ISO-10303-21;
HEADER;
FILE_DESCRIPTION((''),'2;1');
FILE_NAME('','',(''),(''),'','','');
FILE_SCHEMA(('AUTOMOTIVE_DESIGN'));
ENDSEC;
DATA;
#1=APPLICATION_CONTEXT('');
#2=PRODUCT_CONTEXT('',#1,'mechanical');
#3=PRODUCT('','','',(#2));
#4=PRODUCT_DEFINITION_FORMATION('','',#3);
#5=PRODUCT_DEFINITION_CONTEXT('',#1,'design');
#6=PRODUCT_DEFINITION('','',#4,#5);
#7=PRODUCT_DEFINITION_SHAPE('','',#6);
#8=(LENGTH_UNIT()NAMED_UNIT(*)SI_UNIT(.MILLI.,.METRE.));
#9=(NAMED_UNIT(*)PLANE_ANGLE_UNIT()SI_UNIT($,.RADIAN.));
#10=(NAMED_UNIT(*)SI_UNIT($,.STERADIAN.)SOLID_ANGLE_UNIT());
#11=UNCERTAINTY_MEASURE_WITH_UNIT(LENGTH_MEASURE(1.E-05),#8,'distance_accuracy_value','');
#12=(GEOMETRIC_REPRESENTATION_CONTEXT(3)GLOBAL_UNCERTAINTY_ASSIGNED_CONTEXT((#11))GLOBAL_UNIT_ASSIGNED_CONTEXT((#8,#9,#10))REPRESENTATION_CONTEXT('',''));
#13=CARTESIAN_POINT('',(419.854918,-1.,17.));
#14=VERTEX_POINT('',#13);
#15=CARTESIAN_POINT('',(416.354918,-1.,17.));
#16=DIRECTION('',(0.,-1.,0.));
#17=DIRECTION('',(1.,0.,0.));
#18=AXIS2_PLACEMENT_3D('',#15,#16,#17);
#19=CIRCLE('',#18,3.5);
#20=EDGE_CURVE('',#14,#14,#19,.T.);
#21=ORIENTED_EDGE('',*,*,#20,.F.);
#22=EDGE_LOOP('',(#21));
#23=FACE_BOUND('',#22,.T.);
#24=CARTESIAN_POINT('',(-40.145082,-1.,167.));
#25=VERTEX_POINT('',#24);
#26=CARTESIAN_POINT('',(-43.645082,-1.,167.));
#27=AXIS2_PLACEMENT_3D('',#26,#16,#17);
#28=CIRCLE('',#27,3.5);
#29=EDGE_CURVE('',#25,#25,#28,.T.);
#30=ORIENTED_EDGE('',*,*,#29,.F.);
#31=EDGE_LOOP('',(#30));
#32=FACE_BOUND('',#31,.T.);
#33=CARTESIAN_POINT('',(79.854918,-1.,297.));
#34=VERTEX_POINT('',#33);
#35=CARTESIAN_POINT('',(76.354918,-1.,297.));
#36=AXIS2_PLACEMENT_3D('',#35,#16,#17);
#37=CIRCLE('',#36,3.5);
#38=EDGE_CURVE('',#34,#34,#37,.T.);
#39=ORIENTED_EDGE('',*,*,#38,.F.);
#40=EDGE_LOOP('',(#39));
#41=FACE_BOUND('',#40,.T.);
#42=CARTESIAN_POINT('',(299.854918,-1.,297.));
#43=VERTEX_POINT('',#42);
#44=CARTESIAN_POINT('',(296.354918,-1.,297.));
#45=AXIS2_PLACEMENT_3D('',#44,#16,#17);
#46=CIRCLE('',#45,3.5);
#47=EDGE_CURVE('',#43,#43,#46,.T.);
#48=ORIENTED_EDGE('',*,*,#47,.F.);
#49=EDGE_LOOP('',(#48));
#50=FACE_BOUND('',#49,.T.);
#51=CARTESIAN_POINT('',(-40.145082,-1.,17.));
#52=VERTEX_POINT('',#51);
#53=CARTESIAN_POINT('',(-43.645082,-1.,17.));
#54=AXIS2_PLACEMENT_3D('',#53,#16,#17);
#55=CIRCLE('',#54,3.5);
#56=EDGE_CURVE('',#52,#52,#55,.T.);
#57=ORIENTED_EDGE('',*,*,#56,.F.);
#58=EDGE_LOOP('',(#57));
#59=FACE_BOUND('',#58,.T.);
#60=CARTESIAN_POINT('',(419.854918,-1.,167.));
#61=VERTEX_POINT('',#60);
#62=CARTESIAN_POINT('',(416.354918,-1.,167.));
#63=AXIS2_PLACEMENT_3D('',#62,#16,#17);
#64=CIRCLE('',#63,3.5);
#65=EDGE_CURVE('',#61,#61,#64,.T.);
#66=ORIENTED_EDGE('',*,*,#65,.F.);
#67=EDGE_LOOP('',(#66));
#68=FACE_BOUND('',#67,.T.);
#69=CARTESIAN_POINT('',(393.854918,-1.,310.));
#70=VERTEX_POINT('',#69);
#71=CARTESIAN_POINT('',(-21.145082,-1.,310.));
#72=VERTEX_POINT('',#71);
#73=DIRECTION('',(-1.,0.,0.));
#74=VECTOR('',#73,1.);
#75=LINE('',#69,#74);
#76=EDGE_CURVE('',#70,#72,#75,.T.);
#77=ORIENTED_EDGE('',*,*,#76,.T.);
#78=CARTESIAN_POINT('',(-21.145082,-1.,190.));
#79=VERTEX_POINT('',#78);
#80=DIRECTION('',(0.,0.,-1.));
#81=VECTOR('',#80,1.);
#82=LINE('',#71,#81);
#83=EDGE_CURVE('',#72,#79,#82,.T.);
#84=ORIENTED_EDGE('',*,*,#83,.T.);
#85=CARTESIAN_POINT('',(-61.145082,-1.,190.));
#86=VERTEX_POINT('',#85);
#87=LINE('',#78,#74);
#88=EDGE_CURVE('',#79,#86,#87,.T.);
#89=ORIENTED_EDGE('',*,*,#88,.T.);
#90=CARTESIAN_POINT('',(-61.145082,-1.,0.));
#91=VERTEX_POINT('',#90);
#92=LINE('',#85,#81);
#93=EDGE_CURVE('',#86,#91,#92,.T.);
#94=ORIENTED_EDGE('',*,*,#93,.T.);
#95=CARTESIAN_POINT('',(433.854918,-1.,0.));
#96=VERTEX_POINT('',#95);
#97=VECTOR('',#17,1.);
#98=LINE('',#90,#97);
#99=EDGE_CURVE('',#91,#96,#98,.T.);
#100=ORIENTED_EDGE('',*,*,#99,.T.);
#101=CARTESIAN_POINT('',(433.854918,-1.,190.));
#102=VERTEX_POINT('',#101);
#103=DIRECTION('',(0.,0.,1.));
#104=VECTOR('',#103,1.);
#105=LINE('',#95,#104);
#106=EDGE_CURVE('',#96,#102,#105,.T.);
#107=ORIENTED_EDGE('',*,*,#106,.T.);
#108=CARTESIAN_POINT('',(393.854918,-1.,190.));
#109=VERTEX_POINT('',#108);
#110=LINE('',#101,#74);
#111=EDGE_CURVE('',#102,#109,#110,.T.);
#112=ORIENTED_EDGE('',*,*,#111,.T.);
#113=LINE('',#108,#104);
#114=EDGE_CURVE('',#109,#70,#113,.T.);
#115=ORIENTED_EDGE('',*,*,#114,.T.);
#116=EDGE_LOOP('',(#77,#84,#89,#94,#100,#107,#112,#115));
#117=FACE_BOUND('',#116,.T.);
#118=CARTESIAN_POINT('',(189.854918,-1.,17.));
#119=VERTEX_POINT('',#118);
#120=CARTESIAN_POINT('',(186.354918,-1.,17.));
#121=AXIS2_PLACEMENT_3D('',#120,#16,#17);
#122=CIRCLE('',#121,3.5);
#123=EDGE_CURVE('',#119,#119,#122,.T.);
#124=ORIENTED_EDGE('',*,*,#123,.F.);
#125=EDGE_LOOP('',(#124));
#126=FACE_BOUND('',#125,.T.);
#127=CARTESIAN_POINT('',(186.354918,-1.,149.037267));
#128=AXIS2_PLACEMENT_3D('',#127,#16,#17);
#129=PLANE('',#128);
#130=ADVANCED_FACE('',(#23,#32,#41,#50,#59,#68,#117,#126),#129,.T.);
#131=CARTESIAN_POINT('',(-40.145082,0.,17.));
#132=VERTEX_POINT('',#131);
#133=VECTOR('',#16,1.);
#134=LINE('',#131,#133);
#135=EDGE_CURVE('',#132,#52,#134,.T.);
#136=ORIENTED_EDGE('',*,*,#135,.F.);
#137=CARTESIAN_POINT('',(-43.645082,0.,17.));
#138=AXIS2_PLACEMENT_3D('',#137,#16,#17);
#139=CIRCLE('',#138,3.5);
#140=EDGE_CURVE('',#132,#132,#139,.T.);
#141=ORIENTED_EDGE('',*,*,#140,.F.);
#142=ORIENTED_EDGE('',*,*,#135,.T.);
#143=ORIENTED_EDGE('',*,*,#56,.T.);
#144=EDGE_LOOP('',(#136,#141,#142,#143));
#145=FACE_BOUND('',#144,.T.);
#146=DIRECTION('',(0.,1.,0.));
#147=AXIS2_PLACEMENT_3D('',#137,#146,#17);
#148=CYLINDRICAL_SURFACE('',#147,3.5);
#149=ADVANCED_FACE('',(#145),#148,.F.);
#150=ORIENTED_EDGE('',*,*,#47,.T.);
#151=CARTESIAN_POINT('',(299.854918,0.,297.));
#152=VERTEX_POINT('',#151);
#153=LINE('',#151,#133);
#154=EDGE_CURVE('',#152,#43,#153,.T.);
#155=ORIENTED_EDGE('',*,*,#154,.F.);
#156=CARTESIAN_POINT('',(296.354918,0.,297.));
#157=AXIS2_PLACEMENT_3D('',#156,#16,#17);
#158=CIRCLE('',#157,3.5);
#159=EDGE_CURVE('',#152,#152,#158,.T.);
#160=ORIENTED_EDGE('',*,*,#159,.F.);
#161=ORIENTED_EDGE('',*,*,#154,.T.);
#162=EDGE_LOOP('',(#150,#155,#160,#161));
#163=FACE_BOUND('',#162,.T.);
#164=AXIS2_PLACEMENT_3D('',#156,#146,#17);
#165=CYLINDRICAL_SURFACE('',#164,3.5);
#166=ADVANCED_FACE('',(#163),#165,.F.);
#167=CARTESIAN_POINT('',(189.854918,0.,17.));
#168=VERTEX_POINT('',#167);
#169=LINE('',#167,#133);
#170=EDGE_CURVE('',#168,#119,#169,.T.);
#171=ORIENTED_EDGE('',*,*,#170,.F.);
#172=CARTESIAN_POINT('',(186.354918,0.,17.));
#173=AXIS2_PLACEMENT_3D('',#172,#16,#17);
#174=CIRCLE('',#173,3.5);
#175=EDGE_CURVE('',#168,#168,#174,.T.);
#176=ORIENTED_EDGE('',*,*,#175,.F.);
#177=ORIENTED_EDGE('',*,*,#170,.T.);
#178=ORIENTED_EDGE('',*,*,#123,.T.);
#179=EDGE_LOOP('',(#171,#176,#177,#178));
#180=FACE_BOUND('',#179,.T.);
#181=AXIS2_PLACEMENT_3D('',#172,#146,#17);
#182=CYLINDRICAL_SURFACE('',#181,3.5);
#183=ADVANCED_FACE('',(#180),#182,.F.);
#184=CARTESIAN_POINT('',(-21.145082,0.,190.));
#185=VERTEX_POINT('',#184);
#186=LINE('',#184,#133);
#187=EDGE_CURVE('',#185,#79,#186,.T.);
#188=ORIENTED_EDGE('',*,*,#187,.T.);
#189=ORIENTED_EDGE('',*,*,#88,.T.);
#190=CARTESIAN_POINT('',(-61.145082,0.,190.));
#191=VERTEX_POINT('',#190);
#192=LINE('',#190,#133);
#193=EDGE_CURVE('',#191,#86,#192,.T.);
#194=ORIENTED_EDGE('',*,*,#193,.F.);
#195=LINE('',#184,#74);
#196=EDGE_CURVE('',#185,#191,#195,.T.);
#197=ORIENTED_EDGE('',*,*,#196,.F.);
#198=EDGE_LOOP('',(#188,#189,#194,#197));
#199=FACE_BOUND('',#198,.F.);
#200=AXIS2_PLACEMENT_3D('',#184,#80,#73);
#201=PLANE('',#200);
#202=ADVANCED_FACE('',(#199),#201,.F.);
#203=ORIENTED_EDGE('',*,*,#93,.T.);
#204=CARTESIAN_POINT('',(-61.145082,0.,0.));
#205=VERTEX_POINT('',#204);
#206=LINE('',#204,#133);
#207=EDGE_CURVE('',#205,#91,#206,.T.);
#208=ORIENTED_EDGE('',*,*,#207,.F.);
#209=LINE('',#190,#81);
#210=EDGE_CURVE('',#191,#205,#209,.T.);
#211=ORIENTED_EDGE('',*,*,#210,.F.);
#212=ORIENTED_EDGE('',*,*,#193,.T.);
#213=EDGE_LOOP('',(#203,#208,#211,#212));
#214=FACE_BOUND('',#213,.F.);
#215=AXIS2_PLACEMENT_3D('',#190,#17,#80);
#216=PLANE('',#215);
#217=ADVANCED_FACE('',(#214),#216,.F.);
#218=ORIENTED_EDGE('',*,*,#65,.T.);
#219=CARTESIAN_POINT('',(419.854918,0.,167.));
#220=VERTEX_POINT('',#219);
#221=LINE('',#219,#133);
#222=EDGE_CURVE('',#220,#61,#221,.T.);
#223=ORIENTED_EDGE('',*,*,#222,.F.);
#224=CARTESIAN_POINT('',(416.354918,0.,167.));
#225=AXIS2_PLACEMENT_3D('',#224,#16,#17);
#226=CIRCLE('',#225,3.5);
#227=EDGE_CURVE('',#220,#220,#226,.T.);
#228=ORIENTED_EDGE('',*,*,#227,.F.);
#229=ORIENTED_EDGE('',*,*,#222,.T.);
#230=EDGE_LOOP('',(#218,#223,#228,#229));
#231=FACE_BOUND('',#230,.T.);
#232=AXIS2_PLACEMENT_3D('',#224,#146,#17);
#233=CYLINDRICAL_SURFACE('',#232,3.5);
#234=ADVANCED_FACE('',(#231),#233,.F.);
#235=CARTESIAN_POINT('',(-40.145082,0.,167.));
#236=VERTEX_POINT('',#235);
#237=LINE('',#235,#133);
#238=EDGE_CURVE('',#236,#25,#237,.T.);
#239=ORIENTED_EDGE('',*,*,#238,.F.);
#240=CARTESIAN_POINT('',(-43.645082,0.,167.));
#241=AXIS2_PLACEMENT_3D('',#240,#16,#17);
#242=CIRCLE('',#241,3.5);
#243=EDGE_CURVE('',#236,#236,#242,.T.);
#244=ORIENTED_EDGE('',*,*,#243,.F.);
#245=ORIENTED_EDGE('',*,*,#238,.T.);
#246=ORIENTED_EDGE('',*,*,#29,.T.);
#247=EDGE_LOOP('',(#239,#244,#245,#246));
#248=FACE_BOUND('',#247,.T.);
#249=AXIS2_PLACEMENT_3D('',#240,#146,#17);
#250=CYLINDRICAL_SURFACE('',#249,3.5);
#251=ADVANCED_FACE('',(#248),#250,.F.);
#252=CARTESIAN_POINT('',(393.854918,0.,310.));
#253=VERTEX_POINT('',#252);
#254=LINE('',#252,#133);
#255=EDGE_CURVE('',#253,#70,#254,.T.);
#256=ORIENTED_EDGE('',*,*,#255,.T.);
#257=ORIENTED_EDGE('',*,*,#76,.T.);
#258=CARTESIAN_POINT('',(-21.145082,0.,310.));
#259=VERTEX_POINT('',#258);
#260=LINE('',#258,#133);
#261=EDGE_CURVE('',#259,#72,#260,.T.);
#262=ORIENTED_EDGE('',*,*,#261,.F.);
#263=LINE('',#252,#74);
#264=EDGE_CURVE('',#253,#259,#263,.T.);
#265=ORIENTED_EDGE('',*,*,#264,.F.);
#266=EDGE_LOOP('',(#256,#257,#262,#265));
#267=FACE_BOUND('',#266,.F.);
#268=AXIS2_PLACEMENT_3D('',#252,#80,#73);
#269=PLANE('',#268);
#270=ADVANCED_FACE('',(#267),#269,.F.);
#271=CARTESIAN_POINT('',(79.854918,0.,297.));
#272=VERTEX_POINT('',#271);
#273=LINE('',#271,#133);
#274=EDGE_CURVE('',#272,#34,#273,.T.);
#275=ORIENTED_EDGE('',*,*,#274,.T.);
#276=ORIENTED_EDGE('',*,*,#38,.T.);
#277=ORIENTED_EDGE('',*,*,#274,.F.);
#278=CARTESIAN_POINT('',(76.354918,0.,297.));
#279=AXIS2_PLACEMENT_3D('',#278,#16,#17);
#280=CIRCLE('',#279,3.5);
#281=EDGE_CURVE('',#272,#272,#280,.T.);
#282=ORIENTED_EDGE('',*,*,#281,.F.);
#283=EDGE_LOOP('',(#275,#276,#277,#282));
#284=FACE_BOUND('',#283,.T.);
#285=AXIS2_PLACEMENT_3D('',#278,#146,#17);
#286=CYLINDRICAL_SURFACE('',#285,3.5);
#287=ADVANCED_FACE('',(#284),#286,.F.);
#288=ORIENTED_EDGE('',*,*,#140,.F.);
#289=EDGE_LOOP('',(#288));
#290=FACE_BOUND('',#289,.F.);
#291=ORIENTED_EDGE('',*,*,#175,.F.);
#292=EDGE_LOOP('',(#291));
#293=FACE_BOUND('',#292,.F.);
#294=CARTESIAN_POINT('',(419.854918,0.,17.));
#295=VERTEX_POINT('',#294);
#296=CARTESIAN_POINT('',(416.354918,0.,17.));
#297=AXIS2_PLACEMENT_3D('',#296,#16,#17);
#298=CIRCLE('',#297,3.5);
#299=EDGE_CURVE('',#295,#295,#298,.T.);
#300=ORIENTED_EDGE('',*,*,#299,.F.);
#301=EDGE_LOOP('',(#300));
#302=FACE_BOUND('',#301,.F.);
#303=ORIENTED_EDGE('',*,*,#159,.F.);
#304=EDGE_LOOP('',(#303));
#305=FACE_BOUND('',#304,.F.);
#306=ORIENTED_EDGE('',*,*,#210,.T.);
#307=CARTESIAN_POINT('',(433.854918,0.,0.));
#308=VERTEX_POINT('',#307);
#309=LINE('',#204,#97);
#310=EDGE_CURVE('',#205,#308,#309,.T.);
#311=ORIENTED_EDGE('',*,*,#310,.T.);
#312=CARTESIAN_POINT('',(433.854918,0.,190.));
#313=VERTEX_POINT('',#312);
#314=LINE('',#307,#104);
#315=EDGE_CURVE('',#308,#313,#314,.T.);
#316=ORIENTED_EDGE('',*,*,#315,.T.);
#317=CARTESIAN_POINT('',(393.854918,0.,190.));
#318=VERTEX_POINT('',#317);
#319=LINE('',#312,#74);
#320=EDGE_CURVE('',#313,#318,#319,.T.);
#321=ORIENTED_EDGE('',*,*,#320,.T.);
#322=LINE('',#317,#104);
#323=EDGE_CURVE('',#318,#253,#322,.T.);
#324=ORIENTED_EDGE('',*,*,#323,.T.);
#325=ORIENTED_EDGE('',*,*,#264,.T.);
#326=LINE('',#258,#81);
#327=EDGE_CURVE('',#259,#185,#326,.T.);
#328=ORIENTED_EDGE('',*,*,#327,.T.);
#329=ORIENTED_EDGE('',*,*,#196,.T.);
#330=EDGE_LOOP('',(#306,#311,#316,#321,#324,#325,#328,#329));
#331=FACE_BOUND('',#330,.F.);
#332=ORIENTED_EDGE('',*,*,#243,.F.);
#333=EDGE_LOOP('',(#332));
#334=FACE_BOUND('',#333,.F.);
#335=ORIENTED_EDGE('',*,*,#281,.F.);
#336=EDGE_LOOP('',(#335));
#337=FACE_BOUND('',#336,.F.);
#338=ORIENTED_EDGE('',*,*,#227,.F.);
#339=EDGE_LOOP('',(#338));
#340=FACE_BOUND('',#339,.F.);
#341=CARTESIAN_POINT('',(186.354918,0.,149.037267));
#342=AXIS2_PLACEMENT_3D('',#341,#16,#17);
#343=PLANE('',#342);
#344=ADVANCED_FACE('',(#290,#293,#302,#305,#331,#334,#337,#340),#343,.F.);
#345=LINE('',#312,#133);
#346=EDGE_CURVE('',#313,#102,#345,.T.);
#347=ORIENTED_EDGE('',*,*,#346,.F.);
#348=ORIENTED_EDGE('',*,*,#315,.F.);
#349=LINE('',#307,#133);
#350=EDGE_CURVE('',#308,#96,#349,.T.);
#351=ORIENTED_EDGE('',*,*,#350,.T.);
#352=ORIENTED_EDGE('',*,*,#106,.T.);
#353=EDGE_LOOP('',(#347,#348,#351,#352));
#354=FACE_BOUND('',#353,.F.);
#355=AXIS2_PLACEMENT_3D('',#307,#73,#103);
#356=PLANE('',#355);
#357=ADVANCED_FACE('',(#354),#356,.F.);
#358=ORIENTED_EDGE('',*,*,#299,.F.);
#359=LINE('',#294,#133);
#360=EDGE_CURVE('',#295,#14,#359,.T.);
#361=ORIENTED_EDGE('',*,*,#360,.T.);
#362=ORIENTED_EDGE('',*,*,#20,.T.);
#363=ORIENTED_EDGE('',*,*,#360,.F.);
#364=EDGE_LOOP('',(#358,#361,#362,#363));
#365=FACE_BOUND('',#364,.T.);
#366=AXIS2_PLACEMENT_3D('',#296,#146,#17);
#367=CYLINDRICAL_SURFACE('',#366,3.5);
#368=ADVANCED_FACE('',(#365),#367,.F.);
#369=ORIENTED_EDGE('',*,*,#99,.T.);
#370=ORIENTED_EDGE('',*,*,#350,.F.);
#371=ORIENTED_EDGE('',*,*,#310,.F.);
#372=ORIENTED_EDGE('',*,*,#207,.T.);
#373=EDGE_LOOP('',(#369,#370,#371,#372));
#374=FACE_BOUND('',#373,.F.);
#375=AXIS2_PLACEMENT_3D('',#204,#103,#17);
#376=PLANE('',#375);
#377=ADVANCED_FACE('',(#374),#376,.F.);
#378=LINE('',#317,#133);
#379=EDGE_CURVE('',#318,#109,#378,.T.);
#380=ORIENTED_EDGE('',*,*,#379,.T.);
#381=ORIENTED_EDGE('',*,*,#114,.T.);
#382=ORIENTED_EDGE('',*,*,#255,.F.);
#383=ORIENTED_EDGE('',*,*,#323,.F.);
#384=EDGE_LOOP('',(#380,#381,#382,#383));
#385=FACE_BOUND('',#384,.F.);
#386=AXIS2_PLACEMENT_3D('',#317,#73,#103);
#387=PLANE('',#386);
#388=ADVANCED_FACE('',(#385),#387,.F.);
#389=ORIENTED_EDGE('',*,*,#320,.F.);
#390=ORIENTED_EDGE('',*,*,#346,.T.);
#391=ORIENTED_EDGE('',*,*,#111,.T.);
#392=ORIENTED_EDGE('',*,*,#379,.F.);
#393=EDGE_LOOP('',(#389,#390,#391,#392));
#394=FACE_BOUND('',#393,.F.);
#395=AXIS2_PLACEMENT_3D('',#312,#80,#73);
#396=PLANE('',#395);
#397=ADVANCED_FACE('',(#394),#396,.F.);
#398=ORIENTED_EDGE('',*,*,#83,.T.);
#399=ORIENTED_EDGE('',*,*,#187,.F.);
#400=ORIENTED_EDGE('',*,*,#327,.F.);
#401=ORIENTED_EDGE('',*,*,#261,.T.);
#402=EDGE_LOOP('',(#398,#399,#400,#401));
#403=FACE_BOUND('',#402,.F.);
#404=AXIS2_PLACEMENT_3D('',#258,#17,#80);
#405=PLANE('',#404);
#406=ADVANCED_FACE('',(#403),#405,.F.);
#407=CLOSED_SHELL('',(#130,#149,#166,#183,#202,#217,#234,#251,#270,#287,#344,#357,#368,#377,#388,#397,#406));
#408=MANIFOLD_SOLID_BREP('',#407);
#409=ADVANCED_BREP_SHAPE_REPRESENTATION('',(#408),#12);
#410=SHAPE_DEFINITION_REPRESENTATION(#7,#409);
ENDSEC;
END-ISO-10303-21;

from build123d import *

# Parameters (mm, degrees)
F0_R     = 3.5
F1_DEPTH = 1


with BuildPart() as f1:
    # F0 (on Front) → F1 (new body)
    with BuildSketch(Plane.XZ):
        Polygon((-61.145082, 190), (-61.145082, 0), (433.854918, 0), (433.854918, 190), (393.854918, 190), (393.854918, 310), (186.354918, 310), (-21.145082, 310), (-21.145082, 190), align=None)
        with Locations((-43.645082, 17)):
            Circle(F0_R, mode=Mode.SUBTRACT)
        with Locations((186.354918, 17)):
            Circle(F0_R, mode=Mode.SUBTRACT)
        with Locations((416.354918, 17)):
            Circle(F0_R, mode=Mode.SUBTRACT)
        with Locations((-43.645082, 167)):
            Circle(F0_R, mode=Mode.SUBTRACT)
        with Locations((76.354918, 297)):
            Circle(F0_R, mode=Mode.SUBTRACT)
        with Locations((416.354918, 167)):
            Circle(F0_R, mode=Mode.SUBTRACT)
        with Locations((296.354918, 297)):
            Circle(F0_R, mode=Mode.SUBTRACT)
    extrude(amount=F1_DEPTH)


solid = f1.part
